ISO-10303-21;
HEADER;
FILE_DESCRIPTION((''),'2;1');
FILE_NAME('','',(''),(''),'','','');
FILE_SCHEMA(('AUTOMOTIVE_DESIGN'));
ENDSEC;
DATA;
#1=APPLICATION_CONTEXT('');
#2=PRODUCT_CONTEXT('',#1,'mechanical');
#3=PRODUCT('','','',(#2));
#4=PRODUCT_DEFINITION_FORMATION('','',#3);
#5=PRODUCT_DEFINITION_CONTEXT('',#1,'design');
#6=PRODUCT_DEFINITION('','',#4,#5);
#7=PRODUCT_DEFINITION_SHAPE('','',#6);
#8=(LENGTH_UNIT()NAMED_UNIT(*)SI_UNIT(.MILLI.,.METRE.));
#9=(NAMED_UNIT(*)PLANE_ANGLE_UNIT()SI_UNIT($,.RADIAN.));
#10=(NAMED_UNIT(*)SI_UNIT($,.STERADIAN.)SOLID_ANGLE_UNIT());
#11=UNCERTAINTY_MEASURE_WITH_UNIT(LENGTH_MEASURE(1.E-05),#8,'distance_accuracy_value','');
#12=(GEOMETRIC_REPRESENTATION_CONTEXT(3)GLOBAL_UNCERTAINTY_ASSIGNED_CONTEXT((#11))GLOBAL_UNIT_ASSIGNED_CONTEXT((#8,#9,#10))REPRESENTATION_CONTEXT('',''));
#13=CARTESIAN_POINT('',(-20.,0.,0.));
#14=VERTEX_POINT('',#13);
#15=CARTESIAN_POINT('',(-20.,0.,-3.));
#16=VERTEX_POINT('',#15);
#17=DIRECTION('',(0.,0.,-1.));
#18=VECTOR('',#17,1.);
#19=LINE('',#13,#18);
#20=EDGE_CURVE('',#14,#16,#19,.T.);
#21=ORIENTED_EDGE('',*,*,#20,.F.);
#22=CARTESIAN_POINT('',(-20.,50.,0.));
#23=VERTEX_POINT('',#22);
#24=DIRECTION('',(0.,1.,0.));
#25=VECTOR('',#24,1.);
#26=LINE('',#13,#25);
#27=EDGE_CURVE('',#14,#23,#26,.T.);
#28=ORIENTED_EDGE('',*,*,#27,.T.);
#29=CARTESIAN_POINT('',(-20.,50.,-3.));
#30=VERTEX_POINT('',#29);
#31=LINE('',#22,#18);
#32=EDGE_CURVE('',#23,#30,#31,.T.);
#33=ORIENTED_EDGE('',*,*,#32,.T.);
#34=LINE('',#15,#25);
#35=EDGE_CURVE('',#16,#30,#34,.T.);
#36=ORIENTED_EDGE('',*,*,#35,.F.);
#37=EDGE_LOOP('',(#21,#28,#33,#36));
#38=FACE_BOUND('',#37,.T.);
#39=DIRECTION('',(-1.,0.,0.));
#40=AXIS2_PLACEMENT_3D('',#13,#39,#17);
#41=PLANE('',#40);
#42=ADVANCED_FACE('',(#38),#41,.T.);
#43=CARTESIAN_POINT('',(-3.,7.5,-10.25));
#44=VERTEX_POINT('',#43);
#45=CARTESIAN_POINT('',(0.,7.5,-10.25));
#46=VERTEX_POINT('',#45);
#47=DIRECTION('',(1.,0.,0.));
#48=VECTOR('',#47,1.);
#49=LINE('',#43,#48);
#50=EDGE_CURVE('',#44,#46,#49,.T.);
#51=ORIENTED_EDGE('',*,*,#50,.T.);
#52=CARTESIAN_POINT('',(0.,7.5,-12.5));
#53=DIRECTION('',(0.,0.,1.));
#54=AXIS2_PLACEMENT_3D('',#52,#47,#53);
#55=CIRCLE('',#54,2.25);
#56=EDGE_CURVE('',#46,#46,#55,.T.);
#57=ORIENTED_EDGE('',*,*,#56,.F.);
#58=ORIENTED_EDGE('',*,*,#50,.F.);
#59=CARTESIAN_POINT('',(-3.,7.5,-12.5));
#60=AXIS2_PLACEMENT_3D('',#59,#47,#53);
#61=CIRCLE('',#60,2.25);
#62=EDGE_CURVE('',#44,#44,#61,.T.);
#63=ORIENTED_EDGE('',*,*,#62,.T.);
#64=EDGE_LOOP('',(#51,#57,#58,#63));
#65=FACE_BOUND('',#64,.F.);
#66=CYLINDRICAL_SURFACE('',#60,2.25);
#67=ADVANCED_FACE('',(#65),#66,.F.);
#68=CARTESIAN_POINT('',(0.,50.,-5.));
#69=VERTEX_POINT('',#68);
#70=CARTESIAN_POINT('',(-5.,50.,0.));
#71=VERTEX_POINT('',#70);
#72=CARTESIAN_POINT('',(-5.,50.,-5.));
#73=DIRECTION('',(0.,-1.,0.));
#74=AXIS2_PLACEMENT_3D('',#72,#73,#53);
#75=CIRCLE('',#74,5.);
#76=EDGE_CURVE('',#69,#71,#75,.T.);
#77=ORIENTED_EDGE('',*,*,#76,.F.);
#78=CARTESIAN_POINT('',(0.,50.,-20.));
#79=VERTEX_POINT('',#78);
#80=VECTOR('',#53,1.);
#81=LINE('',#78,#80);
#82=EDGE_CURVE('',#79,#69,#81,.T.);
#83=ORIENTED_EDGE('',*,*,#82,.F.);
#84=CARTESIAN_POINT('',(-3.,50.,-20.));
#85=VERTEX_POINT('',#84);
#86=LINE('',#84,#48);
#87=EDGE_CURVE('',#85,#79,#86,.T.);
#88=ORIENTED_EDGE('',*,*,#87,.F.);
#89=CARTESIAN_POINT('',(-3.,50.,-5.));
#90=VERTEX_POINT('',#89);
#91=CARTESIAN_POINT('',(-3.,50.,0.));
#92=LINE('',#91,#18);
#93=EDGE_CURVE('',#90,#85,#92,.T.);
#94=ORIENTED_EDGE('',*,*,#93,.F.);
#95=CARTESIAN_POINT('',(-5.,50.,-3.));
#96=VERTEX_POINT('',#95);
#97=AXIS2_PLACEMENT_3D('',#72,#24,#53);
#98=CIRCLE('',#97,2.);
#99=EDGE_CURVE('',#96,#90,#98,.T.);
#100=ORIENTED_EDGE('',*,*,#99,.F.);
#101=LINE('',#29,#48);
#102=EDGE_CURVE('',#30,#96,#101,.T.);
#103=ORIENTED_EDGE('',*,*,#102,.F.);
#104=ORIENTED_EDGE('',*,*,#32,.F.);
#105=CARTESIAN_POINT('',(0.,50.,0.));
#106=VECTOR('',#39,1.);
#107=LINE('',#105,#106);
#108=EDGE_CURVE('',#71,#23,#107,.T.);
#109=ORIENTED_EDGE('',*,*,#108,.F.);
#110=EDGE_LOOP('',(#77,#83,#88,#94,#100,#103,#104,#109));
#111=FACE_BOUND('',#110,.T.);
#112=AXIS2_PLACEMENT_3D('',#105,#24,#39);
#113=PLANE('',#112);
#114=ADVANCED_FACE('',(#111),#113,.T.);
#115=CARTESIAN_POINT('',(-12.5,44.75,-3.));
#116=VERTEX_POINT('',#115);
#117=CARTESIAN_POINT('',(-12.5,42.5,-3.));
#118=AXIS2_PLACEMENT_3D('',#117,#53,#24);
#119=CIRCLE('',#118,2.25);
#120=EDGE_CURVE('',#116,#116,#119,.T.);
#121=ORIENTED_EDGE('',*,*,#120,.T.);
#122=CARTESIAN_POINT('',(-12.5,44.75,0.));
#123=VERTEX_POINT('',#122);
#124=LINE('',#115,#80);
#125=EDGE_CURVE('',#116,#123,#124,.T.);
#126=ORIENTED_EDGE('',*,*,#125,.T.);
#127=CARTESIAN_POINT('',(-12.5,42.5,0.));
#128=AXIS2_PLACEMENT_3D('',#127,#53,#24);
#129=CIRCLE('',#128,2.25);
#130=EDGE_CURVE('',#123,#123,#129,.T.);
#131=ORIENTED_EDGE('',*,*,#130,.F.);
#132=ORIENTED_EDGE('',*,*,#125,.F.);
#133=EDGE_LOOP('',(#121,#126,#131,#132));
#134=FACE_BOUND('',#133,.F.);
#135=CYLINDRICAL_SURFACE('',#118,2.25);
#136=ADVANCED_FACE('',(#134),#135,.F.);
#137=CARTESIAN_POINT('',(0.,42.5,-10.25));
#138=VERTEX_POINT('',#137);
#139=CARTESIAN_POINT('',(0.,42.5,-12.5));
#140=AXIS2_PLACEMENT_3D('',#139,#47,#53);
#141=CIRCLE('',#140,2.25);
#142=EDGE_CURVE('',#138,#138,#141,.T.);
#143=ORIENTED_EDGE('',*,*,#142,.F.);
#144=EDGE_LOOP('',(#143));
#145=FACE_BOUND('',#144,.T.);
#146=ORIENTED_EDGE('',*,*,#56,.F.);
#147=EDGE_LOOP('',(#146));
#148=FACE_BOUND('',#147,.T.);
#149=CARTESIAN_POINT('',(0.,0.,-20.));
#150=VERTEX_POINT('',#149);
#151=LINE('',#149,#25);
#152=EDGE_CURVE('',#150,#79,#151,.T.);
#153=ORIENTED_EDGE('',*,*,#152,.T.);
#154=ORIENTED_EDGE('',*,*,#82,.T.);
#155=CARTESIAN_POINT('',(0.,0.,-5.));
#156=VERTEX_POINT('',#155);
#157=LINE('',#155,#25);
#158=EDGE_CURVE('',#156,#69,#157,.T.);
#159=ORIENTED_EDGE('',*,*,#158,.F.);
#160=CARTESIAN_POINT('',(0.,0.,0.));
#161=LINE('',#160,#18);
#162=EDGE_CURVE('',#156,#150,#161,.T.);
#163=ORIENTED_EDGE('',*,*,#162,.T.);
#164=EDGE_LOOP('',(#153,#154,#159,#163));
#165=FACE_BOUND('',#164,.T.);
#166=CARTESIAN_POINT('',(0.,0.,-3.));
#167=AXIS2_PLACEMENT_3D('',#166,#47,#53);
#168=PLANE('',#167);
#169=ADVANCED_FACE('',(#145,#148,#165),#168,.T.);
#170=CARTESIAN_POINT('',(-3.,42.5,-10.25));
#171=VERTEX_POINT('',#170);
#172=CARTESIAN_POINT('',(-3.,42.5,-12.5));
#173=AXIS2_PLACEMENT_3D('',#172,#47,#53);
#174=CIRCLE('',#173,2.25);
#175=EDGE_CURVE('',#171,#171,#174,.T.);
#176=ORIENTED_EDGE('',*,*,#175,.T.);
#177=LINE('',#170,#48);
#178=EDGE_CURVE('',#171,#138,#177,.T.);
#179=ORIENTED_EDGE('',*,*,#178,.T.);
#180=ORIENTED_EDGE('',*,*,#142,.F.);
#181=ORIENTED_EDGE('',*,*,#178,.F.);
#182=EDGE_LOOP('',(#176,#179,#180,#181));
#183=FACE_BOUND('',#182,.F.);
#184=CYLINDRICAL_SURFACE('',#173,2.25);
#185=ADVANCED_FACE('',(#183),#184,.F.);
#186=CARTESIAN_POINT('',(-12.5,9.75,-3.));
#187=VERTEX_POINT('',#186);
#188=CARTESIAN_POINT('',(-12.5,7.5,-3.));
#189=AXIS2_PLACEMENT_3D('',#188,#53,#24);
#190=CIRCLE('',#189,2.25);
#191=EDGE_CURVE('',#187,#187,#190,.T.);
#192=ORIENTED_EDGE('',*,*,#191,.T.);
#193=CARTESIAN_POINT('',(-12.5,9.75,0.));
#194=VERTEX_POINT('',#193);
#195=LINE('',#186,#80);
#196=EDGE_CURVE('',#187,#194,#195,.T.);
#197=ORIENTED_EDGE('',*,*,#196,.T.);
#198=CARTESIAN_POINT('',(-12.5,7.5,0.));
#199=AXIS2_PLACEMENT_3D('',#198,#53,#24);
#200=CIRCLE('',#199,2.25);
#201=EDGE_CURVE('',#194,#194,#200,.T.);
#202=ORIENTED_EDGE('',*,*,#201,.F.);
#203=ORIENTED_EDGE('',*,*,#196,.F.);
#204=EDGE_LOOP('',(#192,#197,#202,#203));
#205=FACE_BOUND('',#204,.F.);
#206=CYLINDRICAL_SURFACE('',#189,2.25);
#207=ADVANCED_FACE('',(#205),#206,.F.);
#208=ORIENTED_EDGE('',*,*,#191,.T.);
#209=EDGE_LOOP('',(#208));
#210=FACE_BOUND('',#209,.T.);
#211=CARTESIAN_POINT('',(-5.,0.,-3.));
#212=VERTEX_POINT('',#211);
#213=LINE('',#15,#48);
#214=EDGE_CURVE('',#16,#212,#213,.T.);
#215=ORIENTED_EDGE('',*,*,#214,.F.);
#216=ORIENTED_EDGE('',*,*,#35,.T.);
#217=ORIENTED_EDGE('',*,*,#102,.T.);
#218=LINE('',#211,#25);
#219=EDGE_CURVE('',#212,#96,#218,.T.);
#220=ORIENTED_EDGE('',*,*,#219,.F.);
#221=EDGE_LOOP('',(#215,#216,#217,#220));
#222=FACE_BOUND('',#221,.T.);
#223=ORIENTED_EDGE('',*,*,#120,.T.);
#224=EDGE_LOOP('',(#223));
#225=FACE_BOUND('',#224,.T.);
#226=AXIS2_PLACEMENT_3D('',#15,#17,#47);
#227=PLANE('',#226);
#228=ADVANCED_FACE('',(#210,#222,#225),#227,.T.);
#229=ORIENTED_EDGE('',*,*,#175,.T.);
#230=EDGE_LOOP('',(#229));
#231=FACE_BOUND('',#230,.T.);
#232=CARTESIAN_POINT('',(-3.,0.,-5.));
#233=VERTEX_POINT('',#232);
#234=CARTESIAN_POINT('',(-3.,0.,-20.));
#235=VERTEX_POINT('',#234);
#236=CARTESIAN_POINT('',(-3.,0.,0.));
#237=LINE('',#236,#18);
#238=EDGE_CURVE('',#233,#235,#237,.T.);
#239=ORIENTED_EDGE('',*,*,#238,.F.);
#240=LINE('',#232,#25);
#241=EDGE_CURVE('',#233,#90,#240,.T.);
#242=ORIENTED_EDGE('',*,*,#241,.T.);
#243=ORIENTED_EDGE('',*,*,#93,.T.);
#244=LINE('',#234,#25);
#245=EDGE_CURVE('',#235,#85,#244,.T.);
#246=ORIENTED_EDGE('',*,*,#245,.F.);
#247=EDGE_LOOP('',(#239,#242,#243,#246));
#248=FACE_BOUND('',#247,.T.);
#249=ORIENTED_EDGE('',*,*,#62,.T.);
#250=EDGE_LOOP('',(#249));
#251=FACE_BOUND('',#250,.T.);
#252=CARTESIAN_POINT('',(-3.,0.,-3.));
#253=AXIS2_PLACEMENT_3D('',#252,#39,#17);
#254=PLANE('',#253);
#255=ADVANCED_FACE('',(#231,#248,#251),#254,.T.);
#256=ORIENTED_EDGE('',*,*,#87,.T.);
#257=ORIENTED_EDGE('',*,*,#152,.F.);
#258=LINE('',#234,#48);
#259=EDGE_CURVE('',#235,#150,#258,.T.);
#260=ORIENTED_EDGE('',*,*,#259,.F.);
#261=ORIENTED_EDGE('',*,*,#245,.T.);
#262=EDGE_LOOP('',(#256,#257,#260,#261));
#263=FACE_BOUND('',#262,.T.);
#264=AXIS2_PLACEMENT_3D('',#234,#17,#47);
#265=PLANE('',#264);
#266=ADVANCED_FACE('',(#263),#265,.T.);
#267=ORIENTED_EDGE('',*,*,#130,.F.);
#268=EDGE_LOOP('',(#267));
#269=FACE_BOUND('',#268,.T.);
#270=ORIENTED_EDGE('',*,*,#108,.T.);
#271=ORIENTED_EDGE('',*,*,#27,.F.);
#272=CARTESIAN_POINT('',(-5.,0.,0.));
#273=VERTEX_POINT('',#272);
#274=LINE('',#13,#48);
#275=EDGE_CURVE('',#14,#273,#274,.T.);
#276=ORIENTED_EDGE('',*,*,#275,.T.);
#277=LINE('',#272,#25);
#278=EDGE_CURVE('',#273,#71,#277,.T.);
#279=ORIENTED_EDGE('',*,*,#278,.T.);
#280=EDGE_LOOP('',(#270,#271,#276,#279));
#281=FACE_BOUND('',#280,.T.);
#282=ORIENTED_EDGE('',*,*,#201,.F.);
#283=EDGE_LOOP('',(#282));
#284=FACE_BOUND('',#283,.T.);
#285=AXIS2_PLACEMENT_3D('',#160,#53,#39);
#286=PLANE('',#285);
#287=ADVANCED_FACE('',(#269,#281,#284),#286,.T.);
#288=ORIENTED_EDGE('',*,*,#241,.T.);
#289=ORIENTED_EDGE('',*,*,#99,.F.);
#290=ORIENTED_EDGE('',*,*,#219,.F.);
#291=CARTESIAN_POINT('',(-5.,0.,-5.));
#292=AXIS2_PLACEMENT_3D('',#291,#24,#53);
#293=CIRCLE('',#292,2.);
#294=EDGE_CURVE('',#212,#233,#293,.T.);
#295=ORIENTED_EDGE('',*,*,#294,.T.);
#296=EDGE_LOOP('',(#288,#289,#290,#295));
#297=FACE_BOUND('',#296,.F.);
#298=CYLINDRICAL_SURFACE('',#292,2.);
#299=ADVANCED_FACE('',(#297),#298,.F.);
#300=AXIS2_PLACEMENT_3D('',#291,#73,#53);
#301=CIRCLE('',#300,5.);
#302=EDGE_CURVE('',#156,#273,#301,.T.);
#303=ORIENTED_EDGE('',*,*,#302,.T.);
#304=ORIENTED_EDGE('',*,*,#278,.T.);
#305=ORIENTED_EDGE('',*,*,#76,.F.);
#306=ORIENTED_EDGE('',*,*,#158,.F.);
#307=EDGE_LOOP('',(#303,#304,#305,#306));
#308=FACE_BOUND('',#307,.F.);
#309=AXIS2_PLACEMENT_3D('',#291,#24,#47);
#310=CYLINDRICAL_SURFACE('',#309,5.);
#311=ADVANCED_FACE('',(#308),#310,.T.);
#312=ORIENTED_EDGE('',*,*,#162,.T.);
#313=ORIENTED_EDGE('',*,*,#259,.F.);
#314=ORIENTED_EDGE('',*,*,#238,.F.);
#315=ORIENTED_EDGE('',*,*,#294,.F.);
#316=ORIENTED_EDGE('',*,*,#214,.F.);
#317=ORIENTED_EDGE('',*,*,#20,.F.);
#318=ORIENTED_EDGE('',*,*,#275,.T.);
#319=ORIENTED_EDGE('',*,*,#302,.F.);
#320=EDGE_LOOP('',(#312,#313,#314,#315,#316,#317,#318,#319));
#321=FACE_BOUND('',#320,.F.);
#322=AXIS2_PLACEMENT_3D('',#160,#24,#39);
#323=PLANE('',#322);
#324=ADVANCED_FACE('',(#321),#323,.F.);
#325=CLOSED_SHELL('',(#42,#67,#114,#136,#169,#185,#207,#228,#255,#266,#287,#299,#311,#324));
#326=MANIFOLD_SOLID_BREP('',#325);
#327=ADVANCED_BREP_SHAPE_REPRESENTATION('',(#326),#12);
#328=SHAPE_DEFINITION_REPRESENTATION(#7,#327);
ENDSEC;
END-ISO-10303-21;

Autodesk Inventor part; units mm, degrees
ref_plane "YZ Plane" through (0, 0, 0) normal (1, 0, 0) x (0, 1, 0)
ref_plane "XZ Plane" through (0, 0, 0) normal (0, 1, 0) x (-1, 0, 0)
ref_plane "XY Plane" through (0, 0, 0) normal (0, 0, 1) x (1, 0, 0)
sketch "Sketch1" plane through (0, 0, 0) normal (0, 1, 0) x (-1, 0, 0)
  line L0 (0, 0) -> (20, 0)
  line L1 (20, 0) -> (20, -3)
  line L2 (20, -3) -> (0, -3)
  line L3 (0, -3) -> (0, 0)
  line L4 (0, 0) -> (3, 0)
  line L5 (3, 0) -> (3, -20)
  line L6 (3, -20) -> (0, -20)
  line L7 (0, -20) -> (0, 0)
  dimension "d0" = 3
  dimension "d1" = 3
  dimension "d2" = 20
  dimension "d3" = 20
extrude "Extrusion1" add sketch "Sketch1" along normal blind 50
fillet "Fillet1" radius 2 1 edges at (-3, 25, -3)
fillet "Fillet2" radius 5 1 edges at (0, 25, 0)
sketch "Sketch2" plane through (-3, 0, -20) normal (-1, 0, 0) x (0, 0, 1)
  line L0 (0, 50) -> (15, 50) projected
  line L1 (0, 0) -> (15, 0) projected
  line L2 (0, 0) -> (0, 50) projected
  point P0 (20, 0)
  point P1 (7.5, 42.5)
  point P2 (7.5, 7.5)
  dimension "d8" = 7.5
  dimension "d9" = 7.5
  dimension "d10" = 35
  dimension "d11" = 7.5
hole "Hole1" at (-3, 42.5, -12.5) at (-3, 7.5, -12.5) direction (1, 0, 0) diameter 4.5 end through all clearance for "Socket Head Cap Screw" size "M4" standard "Ansi Metric M Profile"
sketch "Sketch3" plane through (-20, 0, -3) normal (0, 0, -1) x (-1, 0, 0)
  line L0 (-15, 50) -> (0, 50) projected
  line L1 (-15, 0) -> (0, 0) projected
  line L2 (0, 0) -> (0, 50) projected
  point P0 (-20, 0)
  point P1 (-7.5, 42.5)
  point P2 (-7.5, 7.5)
  dimension "d19" = 7.5
  dimension "d20" = 7.5
  dimension "d21" = 7.5
hole "Hole2" at (-12.5, 42.5, -3) at (-12.5, 7.5, -3) direction (0, 0, 1) diameter 4.5 end through all clearance for "Socket Head Cap Screw" size "M4" standard "Ansi Metric M Profile"
equation "\"d1\" = d0"
equation "\"d3\" = d2"
equation "\"d9\" = d8"
equation "\"d20\" = d19"
equation "\"d21\" = d19"
properties part number "Pancake_Angle Bracket" material "Aluminum 6061"
